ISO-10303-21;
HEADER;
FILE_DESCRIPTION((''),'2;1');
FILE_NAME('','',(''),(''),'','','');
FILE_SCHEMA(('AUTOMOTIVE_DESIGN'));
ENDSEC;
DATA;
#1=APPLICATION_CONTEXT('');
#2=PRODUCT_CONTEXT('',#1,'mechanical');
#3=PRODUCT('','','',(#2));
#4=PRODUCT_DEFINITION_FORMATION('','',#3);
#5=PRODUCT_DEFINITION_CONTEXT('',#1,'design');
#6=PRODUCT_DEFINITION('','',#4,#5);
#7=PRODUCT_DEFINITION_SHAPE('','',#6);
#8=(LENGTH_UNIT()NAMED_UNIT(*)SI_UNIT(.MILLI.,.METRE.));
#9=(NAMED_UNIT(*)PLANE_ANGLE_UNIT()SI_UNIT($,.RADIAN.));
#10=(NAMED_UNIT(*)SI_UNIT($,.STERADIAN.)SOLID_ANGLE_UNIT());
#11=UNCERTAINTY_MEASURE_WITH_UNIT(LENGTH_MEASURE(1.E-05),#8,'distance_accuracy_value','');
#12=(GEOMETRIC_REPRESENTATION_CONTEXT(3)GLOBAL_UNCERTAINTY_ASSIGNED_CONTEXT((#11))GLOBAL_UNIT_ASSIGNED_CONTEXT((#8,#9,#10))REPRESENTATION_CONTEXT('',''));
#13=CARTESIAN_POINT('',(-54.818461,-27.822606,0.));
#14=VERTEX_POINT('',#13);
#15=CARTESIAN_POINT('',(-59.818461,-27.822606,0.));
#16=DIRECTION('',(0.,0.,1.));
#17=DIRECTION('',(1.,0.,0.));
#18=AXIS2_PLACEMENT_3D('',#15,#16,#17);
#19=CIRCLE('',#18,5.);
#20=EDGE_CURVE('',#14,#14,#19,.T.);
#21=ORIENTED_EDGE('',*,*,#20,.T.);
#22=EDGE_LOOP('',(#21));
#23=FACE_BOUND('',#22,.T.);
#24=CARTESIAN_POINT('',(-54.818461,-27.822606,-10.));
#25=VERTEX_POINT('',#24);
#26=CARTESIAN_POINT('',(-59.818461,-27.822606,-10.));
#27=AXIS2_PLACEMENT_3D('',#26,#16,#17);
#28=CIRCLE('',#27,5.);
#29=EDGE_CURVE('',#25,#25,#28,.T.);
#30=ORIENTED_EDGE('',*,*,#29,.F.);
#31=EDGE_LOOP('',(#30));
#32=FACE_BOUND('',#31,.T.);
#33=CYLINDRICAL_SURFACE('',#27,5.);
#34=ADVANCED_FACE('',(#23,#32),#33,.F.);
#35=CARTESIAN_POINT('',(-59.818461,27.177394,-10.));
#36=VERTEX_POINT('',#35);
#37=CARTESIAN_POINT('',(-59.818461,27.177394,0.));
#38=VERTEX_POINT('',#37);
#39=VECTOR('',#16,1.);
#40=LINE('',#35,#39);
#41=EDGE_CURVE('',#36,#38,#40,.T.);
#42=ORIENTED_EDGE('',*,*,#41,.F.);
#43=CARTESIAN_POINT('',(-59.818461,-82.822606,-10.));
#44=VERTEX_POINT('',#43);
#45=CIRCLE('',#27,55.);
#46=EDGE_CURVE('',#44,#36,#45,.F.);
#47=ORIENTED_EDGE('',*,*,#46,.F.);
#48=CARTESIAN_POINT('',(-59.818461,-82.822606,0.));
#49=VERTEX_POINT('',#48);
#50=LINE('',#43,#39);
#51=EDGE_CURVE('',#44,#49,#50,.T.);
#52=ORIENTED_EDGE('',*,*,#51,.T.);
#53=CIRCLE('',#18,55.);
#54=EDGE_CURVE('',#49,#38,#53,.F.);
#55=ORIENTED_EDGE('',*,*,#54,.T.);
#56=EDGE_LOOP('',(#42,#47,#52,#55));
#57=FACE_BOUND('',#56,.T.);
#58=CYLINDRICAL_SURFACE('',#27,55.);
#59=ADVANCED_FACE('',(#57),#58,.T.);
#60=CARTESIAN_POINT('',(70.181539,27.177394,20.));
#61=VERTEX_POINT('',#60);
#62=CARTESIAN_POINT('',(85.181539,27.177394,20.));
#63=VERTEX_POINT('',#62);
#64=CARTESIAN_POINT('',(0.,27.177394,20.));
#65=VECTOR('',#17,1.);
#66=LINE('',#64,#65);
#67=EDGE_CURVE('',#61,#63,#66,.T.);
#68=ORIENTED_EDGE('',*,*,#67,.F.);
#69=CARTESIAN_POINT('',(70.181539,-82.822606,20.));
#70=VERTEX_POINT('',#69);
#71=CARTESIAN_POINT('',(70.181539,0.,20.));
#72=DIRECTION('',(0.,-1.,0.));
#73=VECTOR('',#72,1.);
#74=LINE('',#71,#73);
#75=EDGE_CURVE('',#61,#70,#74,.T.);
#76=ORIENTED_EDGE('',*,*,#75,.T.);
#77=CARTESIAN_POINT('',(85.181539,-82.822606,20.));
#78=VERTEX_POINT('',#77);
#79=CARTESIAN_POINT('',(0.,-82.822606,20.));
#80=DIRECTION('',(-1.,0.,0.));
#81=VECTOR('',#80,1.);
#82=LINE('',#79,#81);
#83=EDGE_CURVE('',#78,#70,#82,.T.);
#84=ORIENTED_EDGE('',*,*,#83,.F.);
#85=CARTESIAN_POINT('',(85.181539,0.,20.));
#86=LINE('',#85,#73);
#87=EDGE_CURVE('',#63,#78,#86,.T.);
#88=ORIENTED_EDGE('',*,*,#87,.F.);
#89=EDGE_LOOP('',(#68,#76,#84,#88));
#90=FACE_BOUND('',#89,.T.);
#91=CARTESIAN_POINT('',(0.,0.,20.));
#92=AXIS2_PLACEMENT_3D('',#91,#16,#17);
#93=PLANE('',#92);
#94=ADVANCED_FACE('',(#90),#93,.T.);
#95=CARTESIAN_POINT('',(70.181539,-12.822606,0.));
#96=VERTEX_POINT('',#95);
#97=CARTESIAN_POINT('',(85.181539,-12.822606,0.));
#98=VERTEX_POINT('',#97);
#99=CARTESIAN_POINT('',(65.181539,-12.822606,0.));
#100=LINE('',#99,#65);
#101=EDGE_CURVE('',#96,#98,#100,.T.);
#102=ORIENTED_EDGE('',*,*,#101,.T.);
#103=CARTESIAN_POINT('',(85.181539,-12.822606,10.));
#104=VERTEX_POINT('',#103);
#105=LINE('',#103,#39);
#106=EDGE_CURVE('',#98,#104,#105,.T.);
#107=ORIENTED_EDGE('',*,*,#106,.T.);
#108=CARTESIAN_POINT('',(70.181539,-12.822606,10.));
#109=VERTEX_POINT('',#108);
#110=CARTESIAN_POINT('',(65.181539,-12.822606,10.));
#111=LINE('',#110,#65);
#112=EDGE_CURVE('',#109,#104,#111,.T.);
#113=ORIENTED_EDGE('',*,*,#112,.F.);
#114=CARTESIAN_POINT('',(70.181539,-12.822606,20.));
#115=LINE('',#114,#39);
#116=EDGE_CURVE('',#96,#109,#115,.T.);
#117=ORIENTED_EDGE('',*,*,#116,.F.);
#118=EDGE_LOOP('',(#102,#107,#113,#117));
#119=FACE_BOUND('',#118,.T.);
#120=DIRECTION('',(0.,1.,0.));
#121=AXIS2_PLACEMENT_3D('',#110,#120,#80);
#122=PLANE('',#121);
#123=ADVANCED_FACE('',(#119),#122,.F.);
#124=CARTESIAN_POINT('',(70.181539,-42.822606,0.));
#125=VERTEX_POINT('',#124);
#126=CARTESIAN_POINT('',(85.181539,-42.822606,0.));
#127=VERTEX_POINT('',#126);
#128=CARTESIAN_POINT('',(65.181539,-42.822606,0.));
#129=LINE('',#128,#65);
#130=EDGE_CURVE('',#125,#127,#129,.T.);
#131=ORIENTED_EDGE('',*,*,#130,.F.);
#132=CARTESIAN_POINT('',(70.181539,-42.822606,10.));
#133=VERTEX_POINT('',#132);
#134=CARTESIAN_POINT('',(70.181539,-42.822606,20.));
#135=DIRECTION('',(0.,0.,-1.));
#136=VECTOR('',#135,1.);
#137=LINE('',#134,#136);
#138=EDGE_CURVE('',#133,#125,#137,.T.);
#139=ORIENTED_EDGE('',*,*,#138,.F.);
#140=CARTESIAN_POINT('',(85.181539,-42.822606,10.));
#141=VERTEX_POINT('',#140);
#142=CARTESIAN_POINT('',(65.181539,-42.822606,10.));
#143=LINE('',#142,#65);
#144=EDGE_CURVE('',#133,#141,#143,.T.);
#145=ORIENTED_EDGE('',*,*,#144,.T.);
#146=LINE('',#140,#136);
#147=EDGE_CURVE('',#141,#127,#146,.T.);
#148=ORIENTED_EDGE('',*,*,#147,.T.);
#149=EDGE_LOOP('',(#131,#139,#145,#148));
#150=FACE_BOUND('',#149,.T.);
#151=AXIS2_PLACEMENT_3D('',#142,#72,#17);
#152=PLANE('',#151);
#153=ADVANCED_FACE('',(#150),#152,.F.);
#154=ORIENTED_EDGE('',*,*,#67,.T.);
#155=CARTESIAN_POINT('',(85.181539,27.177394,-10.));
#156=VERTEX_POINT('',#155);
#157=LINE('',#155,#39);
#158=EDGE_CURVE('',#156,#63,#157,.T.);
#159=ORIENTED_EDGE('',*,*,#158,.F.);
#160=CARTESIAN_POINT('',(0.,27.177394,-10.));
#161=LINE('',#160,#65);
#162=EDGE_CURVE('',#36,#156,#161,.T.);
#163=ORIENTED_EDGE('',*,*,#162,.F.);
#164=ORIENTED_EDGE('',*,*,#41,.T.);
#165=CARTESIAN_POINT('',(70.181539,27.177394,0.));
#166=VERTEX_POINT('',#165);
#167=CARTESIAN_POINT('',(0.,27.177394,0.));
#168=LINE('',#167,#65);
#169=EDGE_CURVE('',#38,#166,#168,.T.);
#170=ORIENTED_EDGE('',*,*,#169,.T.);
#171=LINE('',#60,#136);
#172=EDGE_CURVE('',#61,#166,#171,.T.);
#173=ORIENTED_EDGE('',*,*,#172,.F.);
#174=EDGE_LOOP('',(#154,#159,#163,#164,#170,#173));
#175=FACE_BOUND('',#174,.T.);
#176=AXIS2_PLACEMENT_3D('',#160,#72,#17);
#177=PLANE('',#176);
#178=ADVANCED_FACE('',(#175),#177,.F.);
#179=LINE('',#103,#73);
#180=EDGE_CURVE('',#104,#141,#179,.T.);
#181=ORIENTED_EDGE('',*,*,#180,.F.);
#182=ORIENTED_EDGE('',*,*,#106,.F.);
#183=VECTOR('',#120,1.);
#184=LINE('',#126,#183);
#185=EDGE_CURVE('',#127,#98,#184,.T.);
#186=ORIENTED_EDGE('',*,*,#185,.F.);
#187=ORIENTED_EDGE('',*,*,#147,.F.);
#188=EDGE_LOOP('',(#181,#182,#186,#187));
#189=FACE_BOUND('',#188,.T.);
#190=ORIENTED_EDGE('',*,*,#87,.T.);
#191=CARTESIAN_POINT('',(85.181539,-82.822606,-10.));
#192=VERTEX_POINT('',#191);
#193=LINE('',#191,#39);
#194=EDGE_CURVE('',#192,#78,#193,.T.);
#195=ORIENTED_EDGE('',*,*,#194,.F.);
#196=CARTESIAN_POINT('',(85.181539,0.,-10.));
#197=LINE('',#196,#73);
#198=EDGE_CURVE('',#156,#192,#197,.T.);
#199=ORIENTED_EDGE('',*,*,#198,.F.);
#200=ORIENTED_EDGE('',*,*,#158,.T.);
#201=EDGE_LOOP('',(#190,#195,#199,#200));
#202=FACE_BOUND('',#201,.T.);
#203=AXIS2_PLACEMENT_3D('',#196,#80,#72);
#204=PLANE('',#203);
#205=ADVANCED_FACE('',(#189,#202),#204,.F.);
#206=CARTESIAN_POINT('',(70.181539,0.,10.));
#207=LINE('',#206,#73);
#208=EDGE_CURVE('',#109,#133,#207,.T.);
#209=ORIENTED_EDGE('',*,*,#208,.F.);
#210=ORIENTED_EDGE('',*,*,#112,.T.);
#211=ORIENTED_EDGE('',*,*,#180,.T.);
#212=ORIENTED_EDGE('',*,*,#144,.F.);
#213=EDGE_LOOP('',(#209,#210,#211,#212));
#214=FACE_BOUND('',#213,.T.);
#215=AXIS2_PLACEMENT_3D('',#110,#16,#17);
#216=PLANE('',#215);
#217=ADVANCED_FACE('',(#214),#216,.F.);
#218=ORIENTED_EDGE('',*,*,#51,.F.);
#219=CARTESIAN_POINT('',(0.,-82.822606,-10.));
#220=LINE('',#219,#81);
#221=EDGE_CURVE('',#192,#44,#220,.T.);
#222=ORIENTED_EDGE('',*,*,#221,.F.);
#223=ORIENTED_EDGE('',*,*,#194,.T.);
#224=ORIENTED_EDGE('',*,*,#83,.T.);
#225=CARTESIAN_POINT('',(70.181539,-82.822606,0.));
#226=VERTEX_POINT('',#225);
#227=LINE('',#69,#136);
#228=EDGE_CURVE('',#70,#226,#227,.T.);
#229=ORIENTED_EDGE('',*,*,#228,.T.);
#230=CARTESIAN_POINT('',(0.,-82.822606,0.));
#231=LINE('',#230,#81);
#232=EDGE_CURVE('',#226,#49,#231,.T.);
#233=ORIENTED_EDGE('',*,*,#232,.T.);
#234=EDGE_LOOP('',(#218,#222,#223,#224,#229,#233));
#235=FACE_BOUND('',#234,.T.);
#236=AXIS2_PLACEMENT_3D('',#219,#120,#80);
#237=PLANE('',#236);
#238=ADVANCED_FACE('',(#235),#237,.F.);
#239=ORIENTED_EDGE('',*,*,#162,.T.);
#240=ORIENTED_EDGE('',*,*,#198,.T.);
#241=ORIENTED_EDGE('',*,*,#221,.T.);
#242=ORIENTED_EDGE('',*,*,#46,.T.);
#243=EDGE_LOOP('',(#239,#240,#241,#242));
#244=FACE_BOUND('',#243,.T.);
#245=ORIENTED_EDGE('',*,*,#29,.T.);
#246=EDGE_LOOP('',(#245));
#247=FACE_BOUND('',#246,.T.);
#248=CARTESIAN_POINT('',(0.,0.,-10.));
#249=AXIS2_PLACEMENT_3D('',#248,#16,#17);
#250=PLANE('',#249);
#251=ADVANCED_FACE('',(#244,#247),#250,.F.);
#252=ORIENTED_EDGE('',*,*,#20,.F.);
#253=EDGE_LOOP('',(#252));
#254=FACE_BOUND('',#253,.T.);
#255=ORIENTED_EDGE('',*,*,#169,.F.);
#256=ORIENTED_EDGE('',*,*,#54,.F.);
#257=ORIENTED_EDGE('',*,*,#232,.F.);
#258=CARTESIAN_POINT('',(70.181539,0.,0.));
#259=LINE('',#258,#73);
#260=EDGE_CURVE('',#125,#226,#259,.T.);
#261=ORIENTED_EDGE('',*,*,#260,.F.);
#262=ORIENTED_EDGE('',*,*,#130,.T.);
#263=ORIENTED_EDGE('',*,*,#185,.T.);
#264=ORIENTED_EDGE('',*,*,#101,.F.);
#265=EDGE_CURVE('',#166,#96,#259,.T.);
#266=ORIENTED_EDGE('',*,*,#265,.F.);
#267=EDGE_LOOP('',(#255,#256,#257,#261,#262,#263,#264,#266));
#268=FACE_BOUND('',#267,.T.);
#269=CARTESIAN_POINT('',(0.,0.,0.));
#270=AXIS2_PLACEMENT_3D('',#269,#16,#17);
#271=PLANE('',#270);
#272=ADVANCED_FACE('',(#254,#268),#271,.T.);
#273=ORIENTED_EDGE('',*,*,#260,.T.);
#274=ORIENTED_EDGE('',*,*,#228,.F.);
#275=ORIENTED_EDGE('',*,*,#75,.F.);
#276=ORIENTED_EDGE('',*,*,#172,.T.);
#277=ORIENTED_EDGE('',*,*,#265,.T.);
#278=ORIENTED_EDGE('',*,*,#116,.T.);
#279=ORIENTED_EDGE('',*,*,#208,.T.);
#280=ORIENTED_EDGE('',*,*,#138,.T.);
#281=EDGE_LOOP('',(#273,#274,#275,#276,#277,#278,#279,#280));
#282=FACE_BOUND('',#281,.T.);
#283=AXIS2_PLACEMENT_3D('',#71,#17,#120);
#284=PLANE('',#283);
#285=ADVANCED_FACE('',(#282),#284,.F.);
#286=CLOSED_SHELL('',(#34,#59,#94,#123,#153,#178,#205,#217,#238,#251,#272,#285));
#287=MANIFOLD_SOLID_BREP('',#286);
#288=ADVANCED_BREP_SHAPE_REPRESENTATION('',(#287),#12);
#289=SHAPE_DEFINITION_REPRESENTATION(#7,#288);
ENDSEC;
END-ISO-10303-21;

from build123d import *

# Parameters (mm, degrees)
SKETCH1_R           = 5
BOSS_EXTRUDE1_DEPTH = 10
SKETCH1_3_W         = 15
SKETCH1_3_H         = 110
BOSS_EXTRUDE2_DEPTH = 20
SKETCH2_W           = 10
SKETCH2_H           = 30
CUT_EXTRUDE1_DEPTH  = 20


with BuildPart() as part:
    # Sketch1 → Boss-Extrude1 (new body)
    with BuildSketch(Plane.XY):
        with BuildLine():
            ThreePointArc((-59.818461348, 27.177394162), (-114.818461348, -27.822605838), (-59.818461348, -82.822605838))
            Line((-59.818461348, -82.822605838), (85.181538652, -82.822605838))
            Line((85.181538652, -82.822605838), (85.181538652, 27.177394162))
            Line((85.181538652, 27.177394162), (-59.818461348, 27.177394162))
        make_face()
        with Locations((-59.818461348, -27.822605838)):
            Circle(SKETCH1_R, mode=Mode.SUBTRACT)
    extrude(amount=-BOSS_EXTRUDE1_DEPTH)

    # Sketch1<3> → Boss-Extrude2 (add)
    with BuildSketch(Plane.XY):
        with Locations((77.681538652, -27.822605838)):
            Rectangle(SKETCH1_3_W, SKETCH1_3_H)
    extrude(amount=BOSS_EXTRUDE2_DEPTH)

    # Sketch2 → Cut-Extrude1 (cut)
    with BuildSketch(Plane(origin=(85.181538652, 0, 0), x_dir=(0, 0, -1), z_dir=(1, 0, 0))):
        with Locations((-5, -27.822605838)):
            Rectangle(SKETCH2_W, SKETCH2_H)
    extrude(amount=-CUT_EXTRUDE1_DEPTH, mode=Mode.SUBTRACT)


solid = part.part
